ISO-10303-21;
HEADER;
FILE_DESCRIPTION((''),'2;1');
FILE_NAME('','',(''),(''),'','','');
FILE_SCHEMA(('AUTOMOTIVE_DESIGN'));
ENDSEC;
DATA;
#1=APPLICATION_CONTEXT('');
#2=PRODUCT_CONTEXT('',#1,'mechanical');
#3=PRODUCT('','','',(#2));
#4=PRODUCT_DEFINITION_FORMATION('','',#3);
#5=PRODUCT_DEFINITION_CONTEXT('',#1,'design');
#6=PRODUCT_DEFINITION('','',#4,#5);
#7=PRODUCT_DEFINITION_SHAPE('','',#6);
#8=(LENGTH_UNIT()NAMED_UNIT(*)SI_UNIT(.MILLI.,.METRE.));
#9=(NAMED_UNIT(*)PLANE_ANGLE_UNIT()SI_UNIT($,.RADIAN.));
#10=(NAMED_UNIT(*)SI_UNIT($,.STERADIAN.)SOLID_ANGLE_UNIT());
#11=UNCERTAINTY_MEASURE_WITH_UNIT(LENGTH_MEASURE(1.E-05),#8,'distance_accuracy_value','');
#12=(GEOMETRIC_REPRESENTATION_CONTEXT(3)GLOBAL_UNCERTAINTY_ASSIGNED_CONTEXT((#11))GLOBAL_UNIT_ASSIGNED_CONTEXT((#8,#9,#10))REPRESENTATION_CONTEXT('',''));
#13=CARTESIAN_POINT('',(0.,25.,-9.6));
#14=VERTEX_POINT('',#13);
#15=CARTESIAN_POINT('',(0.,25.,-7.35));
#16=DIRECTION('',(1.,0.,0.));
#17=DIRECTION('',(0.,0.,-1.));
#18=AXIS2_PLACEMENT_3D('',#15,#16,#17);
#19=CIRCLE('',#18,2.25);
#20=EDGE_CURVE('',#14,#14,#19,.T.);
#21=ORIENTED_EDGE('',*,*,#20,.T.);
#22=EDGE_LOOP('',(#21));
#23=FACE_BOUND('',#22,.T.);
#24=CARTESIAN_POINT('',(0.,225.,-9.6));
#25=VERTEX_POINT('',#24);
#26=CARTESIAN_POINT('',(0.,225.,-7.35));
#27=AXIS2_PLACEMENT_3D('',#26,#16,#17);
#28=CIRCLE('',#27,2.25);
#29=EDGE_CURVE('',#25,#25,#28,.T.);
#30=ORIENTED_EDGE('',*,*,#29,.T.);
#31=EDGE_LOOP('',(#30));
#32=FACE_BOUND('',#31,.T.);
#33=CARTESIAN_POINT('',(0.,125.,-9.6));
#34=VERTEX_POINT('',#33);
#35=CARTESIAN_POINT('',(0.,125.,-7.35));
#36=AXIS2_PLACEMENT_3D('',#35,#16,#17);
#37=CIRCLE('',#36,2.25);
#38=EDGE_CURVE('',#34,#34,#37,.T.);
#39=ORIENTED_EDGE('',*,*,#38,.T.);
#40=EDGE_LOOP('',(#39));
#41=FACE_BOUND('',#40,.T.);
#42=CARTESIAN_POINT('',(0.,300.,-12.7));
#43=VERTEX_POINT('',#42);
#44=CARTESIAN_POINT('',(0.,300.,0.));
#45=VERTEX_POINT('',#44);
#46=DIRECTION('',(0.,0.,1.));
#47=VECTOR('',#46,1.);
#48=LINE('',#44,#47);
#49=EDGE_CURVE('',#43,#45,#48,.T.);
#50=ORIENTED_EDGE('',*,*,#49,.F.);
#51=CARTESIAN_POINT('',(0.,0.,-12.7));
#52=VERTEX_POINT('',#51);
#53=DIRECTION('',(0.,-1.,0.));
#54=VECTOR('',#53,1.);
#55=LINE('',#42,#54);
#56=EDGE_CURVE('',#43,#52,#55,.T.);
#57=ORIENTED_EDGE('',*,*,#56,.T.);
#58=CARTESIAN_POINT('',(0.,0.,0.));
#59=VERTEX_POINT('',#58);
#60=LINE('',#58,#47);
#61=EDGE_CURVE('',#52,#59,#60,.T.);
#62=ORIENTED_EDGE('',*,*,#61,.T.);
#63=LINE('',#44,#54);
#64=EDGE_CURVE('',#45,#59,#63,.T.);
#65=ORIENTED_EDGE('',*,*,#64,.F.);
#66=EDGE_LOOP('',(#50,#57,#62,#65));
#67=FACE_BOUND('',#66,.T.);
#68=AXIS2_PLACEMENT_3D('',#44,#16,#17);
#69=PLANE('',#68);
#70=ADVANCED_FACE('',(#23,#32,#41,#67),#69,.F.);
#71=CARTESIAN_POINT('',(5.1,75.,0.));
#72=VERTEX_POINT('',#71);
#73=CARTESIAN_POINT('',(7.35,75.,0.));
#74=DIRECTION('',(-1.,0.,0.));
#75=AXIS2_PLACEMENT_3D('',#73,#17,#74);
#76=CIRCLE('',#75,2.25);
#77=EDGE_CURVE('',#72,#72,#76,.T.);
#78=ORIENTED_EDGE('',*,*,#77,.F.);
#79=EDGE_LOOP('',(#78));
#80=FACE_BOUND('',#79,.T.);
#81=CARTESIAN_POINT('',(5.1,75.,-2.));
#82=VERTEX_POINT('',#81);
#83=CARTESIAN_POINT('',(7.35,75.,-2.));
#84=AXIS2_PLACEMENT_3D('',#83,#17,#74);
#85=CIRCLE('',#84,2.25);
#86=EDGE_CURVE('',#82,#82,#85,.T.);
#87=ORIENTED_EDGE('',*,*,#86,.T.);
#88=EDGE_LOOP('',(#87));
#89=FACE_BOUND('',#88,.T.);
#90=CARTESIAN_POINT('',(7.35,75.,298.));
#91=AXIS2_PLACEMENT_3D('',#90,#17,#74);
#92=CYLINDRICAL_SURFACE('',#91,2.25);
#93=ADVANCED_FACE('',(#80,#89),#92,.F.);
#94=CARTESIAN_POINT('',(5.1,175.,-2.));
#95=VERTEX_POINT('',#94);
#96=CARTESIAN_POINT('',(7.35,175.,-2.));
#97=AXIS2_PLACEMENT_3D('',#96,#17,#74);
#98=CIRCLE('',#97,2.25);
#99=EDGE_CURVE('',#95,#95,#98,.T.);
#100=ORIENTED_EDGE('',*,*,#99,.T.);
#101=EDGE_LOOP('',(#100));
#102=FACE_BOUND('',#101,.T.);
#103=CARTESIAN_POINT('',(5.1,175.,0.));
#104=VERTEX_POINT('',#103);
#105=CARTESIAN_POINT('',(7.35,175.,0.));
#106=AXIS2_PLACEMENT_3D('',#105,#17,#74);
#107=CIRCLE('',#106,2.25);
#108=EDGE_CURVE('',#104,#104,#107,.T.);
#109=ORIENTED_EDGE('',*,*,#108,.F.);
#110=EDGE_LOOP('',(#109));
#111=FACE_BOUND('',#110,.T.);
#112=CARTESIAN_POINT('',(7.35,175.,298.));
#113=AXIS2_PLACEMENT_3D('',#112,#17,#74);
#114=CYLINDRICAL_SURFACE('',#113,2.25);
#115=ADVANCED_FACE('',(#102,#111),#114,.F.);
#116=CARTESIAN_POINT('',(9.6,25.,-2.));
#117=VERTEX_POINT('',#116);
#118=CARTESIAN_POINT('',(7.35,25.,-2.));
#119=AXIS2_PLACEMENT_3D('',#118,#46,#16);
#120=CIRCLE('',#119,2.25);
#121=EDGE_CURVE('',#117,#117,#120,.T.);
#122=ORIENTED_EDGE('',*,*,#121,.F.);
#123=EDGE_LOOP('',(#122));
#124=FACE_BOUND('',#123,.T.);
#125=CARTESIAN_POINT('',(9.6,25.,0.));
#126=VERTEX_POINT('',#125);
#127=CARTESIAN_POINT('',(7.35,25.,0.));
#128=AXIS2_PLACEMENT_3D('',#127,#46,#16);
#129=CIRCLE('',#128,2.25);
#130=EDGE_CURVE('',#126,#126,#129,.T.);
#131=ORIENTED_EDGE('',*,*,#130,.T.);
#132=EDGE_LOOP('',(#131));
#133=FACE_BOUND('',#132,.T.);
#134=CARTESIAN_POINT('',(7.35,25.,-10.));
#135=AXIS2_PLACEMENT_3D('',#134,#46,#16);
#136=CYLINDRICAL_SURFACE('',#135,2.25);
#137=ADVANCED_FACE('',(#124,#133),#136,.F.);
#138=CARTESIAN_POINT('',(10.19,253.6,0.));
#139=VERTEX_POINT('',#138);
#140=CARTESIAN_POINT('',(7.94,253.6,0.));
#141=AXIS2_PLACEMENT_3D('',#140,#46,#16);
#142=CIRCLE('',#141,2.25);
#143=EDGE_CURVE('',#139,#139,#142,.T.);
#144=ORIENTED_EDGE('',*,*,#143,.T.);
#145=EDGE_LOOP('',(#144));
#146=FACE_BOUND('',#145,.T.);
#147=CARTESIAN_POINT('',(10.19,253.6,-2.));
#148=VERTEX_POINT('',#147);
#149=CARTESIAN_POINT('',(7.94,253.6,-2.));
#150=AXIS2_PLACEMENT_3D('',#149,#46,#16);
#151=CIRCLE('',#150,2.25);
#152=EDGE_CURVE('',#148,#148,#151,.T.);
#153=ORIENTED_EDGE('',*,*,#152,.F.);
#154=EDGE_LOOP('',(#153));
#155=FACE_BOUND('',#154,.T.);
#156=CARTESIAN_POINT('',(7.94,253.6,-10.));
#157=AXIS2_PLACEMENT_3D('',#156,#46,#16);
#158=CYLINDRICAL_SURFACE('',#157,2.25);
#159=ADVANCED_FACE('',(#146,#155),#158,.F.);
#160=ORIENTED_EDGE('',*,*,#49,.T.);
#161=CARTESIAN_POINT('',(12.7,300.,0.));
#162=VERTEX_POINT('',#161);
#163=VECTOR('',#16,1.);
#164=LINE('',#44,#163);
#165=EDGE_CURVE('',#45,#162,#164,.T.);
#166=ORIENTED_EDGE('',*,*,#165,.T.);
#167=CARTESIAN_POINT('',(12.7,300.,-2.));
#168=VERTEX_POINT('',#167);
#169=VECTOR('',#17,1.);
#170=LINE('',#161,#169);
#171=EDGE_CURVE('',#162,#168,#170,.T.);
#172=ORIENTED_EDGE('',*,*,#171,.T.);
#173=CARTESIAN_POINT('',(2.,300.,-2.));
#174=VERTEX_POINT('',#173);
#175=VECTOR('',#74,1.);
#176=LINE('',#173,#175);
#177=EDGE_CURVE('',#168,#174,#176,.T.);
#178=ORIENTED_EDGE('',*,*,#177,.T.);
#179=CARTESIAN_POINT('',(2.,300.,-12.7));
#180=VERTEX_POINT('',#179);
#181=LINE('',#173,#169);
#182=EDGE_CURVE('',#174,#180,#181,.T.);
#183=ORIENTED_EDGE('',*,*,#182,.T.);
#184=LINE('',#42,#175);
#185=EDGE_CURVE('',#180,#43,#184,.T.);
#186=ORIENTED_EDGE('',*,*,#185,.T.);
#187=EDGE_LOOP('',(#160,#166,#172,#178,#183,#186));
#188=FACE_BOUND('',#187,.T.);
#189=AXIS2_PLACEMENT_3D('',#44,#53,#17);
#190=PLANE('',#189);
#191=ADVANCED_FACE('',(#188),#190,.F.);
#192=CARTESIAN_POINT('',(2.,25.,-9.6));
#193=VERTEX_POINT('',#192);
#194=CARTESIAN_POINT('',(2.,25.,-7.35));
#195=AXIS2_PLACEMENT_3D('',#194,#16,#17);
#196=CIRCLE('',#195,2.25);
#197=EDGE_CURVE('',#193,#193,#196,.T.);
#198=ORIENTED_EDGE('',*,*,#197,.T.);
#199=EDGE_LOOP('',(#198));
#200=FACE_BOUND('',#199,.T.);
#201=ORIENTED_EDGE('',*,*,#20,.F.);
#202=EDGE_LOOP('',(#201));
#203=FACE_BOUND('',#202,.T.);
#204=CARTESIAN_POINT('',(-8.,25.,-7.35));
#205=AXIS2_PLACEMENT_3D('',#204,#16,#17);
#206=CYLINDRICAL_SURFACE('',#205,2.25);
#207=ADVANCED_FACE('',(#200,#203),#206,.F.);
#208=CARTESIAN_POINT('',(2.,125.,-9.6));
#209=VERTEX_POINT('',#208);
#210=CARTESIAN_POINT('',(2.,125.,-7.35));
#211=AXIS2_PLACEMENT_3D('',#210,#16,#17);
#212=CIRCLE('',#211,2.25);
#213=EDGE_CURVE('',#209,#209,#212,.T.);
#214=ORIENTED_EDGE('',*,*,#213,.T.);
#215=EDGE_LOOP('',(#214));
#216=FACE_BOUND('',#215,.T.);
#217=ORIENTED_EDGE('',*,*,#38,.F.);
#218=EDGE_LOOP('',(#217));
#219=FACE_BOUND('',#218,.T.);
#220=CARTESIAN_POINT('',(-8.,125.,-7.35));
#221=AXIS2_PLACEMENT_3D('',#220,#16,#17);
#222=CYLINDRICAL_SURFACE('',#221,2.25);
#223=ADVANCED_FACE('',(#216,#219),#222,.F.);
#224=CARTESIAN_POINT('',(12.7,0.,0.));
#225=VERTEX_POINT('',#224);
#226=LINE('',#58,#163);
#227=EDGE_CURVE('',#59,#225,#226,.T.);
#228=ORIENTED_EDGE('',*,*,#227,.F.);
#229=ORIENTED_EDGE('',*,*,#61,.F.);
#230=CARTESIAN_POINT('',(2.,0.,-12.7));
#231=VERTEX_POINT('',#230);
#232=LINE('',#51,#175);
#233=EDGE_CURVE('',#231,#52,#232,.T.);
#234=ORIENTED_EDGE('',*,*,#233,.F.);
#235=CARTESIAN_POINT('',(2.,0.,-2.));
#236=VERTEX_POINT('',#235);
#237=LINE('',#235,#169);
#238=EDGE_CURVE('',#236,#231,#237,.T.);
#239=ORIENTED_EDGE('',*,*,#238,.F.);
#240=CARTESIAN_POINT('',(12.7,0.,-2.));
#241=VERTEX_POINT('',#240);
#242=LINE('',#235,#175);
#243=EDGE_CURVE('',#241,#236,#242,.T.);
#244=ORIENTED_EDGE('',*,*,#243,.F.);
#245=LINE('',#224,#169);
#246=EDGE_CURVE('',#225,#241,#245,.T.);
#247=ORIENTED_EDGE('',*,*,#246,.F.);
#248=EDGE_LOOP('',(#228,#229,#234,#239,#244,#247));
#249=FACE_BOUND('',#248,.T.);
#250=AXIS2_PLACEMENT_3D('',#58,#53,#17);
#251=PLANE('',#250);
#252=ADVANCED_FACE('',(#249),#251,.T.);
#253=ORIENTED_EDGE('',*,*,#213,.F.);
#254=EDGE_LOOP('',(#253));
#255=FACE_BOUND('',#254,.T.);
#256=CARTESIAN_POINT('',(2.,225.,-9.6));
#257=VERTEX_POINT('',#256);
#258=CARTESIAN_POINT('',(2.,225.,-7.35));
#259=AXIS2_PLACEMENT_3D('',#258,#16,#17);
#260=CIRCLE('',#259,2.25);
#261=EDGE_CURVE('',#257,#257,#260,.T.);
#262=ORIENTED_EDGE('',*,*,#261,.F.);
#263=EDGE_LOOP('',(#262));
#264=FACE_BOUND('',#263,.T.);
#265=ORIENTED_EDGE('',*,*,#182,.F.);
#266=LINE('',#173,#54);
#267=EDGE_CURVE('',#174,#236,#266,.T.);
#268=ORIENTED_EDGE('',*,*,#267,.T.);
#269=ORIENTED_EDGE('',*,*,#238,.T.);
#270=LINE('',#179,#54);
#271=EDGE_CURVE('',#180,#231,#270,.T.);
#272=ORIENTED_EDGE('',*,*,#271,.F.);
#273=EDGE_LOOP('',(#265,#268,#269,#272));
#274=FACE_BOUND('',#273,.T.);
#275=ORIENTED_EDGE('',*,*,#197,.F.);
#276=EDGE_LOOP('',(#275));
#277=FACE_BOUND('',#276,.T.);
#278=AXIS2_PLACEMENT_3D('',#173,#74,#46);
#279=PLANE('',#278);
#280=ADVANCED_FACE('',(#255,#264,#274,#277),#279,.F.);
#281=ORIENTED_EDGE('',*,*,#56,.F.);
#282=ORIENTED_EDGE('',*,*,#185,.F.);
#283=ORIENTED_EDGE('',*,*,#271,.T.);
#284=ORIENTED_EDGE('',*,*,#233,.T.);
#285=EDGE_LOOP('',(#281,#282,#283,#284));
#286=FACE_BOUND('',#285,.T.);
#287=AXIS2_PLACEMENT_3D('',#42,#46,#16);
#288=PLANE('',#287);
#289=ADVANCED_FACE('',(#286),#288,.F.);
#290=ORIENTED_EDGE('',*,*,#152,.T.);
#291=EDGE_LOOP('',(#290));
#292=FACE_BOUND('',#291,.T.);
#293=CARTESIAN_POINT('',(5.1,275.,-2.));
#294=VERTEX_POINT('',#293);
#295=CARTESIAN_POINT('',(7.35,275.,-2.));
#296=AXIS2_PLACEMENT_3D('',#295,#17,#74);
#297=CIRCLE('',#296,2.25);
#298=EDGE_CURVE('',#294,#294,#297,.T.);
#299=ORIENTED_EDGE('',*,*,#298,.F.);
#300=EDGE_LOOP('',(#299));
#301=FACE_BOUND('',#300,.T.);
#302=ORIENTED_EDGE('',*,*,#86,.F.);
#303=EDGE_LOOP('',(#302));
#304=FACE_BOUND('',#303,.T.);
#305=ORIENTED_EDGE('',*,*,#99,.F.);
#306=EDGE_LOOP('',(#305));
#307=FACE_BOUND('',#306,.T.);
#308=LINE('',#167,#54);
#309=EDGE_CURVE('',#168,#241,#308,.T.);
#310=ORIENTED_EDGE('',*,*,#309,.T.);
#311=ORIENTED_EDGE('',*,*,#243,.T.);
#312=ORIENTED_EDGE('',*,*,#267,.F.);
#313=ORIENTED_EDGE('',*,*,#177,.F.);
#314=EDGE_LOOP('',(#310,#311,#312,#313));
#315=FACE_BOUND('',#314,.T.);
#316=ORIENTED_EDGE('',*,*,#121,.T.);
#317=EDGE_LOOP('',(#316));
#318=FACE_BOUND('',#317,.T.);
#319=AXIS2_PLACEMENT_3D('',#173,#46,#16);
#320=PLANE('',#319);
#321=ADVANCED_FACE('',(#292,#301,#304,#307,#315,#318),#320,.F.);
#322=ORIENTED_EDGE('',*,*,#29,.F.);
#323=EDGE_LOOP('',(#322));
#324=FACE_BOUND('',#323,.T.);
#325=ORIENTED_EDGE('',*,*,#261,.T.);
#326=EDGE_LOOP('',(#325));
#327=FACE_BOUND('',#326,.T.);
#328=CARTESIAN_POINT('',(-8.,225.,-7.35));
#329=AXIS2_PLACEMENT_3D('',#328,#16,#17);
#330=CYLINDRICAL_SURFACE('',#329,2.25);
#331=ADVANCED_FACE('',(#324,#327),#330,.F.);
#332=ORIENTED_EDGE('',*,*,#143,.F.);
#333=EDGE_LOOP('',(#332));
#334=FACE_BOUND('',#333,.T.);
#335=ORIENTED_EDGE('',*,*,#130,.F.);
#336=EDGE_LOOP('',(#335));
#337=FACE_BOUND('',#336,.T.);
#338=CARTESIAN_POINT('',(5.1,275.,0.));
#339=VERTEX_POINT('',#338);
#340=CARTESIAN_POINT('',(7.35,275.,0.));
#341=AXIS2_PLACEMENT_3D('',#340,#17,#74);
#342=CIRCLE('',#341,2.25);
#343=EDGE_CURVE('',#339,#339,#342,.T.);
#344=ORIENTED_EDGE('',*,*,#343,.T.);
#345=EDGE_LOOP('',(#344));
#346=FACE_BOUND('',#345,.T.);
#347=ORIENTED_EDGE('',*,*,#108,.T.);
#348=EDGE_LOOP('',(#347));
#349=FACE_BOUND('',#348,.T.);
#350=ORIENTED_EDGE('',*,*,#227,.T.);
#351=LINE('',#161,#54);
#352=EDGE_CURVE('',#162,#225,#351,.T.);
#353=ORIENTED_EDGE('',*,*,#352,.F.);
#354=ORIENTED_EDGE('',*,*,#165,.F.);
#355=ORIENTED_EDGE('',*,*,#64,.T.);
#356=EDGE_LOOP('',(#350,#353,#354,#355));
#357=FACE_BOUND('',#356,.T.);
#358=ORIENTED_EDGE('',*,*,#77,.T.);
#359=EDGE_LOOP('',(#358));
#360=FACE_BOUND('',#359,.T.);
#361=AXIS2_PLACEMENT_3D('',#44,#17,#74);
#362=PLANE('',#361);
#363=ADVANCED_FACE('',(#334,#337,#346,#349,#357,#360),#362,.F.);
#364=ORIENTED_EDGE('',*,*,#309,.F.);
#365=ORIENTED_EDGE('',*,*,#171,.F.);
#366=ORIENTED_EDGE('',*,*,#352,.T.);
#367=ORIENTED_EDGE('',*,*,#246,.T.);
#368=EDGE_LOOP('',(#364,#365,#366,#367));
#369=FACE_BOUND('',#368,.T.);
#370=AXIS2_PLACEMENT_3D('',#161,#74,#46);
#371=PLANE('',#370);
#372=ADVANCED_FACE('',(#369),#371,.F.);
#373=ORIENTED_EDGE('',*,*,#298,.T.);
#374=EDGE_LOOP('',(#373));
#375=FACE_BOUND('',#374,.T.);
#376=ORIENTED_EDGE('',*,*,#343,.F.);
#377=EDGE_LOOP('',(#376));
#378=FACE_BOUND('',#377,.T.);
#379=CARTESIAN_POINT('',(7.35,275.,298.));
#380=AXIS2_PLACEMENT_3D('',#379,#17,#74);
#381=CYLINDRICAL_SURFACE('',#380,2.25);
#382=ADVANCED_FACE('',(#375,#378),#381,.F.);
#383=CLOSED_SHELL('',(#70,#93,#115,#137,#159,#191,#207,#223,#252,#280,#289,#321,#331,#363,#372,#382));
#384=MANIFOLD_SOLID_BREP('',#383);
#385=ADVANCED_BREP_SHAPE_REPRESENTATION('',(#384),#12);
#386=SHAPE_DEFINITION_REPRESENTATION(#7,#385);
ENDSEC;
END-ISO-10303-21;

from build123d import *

# Parameters (mm, degrees)
BOSS_EXTRUDE1_DEPTH = 300
SKETCH3_R           = 2.25
CUT_EXTRUDE1_DEPTH  = 300
SKETCH6_R           = 2.25
CUT_EXTRUDE2_DEPTH  = 10
SKETCH8_R           = 2.25
CUT_EXTRUDE3_DEPTH  = 10


with BuildPart() as part:
    # Sketch1 → Boss-Extrude1 (new body)
    with BuildSketch(Plane(origin=(0, 0, 0), x_dir=(1, 0, 0), z_dir=(0, 1, 0))):
        Polygon((0, 0), (12.7, 0), (12.7, 2), (2, 2), (2, 12.7), (0, 12.7), align=None)
    extrude(amount=BOSS_EXTRUDE1_DEPTH)

    # Sketch3 → Cut-Extrude1 (cut)
    with BuildSketch(Plane(origin=(0, 0, -2), x_dir=(-1, 0, 0), z_dir=(0, 0, -1))):
        with Locations((-7.35, 275)):
            Circle(SKETCH3_R)
        with Locations((-7.35, 175)):
            Circle(SKETCH3_R)
        with Locations((-7.35, 75)):
            Circle(SKETCH3_R)
    extrude(amount=-CUT_EXTRUDE1_DEPTH, mode=Mode.SUBTRACT)

    # Sketch6 → Cut-Extrude2 (cut)
    with BuildSketch(Plane(origin=(2, 0, 0), x_dir=(0, 0, -1), z_dir=(1, 0, 0))):
        with Locations((7.35, 225)):
            Circle(SKETCH6_R)
        with Locations((7.35, 125)):
            Circle(SKETCH6_R)
        with Locations((7.35, 25)):
            Circle(SKETCH6_R)
    extrude(amount=-CUT_EXTRUDE2_DEPTH, mode=Mode.SUBTRACT)

    # Sketch8 → Cut-Extrude3 (cut)
    with BuildSketch(Plane.XY):
        with Locations((7.94, 253.6)):
            Circle(SKETCH8_R)
        with Locations((7.35, 25)):
            Circle(SKETCH8_R)
    extrude(amount=-CUT_EXTRUDE3_DEPTH, mode=Mode.SUBTRACT)


solid = part.part
